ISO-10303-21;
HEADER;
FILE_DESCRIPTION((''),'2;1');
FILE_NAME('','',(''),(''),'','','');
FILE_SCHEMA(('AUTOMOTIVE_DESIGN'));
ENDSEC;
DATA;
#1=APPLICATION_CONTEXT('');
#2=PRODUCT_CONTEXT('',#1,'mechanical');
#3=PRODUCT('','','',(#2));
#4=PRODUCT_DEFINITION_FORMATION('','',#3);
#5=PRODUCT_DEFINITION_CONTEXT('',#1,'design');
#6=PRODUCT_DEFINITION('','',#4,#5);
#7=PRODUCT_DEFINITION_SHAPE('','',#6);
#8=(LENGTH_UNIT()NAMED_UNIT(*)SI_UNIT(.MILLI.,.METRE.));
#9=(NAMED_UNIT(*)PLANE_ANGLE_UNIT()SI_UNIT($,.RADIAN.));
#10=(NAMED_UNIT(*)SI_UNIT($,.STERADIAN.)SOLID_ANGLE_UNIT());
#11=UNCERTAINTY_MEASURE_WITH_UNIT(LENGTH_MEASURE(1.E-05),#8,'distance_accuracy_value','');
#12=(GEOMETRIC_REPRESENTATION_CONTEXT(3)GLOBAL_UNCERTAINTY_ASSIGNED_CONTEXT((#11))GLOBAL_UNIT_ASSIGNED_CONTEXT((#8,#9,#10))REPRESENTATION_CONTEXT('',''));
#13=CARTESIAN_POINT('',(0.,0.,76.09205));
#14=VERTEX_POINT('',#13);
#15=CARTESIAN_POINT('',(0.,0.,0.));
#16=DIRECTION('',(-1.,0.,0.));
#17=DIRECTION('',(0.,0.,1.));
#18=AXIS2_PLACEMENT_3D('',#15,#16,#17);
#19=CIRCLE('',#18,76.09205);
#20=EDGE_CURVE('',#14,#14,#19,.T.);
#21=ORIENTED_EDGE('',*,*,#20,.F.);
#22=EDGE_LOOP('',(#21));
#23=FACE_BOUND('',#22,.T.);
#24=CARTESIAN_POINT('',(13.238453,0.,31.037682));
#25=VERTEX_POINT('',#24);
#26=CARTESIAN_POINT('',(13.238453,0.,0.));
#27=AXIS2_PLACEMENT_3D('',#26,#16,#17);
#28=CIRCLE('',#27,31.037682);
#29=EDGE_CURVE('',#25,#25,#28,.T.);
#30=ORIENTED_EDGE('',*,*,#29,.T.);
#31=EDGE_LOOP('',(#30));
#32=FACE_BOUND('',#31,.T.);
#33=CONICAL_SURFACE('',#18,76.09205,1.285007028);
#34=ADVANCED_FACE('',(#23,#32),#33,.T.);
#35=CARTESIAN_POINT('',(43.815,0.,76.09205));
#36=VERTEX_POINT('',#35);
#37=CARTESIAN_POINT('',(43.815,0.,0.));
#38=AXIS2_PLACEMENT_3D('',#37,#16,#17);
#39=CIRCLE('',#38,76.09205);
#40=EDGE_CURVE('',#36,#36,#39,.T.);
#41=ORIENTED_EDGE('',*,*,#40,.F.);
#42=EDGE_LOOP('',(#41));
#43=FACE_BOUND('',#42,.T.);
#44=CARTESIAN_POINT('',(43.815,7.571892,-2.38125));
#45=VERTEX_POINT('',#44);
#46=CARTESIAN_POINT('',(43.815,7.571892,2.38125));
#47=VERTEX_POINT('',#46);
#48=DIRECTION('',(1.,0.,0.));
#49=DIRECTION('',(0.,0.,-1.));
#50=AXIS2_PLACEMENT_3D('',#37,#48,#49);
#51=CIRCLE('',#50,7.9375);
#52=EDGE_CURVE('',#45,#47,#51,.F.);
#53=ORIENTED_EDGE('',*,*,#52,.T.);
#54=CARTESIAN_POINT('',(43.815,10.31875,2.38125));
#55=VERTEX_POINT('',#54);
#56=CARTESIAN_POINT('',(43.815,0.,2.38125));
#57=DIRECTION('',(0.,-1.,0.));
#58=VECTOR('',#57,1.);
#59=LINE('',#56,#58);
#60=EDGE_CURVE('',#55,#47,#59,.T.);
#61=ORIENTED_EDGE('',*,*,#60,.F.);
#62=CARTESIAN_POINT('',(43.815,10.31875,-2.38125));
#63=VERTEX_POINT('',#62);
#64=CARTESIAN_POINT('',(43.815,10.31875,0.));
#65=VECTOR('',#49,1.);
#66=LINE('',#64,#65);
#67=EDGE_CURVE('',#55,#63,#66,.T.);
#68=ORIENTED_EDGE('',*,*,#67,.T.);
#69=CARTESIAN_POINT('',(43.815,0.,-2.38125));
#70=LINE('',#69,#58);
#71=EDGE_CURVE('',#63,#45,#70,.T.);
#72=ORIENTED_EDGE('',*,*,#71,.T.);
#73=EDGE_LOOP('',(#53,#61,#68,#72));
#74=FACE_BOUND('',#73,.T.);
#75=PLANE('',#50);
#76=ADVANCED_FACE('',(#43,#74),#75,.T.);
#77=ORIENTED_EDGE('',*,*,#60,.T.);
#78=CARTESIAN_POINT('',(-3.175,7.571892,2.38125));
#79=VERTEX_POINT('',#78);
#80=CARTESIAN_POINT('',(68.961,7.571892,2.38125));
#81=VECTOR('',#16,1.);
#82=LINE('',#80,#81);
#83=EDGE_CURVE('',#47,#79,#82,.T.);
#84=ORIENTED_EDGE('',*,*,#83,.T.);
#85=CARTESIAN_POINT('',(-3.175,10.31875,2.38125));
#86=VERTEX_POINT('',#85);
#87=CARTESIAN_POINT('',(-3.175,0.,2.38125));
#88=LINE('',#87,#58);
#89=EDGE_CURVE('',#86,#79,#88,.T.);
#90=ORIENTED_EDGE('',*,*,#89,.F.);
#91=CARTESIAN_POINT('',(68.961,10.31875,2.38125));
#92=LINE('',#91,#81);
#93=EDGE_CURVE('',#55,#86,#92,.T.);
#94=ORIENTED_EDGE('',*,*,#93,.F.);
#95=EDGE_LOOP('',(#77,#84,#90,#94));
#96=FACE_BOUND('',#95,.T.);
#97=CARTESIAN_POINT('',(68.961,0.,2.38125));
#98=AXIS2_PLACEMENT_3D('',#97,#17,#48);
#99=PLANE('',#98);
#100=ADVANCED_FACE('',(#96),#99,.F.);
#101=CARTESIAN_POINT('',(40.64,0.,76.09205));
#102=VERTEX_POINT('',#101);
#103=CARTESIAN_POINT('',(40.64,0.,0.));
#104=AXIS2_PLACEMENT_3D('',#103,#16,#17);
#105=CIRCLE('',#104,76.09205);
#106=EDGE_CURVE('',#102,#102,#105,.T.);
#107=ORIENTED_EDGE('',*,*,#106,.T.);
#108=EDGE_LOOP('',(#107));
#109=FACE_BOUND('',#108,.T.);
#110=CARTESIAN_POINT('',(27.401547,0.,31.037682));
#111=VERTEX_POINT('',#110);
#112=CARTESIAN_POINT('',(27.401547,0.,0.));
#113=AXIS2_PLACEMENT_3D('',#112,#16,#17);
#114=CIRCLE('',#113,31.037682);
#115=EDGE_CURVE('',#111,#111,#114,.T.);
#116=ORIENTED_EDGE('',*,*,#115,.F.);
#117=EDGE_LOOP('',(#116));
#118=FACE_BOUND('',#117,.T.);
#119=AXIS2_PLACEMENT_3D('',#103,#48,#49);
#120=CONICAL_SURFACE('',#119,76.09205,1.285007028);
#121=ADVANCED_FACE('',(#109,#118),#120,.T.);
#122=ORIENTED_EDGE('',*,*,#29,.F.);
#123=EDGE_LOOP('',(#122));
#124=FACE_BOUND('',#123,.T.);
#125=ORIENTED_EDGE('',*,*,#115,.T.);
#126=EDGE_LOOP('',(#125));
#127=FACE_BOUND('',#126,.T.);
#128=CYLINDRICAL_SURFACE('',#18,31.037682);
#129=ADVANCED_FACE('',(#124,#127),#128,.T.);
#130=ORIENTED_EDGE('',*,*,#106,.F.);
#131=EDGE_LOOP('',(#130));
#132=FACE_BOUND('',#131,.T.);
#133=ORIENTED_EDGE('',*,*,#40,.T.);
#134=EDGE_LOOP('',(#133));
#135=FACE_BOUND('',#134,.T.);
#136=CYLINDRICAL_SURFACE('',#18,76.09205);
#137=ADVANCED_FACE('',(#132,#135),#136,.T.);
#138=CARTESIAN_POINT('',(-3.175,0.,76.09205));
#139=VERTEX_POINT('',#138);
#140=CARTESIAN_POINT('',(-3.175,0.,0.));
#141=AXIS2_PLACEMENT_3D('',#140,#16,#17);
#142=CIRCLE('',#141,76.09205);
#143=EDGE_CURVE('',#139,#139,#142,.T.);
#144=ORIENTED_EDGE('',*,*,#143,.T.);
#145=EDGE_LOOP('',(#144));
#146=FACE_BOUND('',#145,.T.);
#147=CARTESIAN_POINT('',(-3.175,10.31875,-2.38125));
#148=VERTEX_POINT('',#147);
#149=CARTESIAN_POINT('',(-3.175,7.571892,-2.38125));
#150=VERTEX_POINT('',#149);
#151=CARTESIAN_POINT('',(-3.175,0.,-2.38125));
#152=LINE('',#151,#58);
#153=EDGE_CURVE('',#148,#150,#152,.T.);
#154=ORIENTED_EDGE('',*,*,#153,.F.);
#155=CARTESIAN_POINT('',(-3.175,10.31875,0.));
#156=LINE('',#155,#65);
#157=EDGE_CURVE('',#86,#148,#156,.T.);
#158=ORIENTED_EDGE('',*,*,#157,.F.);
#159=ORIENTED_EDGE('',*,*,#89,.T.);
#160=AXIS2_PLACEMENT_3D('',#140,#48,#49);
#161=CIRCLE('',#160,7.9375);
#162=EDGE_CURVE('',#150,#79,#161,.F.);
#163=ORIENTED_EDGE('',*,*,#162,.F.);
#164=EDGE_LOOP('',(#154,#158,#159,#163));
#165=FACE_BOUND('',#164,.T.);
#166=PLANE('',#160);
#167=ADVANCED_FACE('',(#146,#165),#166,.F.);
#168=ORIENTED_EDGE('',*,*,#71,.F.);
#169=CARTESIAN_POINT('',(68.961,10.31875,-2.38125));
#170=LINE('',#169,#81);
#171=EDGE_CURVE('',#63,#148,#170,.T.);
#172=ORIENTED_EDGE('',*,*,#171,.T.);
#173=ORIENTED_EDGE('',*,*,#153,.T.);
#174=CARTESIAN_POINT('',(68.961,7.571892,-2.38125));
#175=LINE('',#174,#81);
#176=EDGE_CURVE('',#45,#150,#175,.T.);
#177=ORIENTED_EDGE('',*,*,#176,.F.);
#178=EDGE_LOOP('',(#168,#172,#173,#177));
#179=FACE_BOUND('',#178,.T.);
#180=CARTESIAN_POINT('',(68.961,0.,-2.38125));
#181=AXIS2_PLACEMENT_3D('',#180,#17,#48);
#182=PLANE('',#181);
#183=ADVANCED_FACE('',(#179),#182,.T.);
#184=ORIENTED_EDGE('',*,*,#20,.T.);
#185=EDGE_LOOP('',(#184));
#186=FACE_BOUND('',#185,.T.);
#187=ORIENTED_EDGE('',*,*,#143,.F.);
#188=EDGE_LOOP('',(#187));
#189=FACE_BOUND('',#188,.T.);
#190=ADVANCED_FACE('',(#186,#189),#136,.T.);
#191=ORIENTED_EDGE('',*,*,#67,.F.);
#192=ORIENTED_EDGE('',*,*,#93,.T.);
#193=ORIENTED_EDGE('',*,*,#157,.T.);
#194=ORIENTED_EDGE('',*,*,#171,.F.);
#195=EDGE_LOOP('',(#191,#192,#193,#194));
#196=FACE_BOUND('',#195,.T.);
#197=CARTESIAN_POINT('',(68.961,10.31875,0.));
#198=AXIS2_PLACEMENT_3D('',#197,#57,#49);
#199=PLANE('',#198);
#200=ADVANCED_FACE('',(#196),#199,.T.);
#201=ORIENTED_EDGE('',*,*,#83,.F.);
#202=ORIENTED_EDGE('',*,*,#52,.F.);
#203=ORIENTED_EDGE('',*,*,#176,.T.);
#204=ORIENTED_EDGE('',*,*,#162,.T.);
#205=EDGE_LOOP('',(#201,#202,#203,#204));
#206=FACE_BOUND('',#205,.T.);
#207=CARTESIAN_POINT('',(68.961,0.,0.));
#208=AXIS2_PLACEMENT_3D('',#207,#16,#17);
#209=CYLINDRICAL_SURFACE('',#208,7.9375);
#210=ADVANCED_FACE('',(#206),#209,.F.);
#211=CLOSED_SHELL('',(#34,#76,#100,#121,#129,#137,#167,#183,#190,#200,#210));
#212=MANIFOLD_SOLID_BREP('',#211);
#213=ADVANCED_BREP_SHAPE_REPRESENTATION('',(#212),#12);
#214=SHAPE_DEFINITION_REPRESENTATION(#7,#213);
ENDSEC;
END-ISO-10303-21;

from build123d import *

# Parameters (mm, degrees)
SKETCH1_W               = 3.175
SKETCH1_H               = 69.74205
CUT_EXTRUDE1_DEPTH      = 25.146
CUT_EXTRUDE1_DEPTH_BACK = 108.204


with BuildPart() as part:
    # Sketch1 → Revolve1 (revolve)
    with BuildSketch(Plane.XY, mode=Mode.PRIVATE) as revolve1_sk:
        Polygon((13.238453462, 31.037681507), (0, 76.09205), (0, 6.35), (22.013333333, 6.35), (40.64, 6.35), (40.64, 76.09205), (27.401546538, 31.037681507), align=None)
        with Locations((-1.5875, 41.221025)):
            Rectangle(SKETCH1_W, SKETCH1_H)
        with Locations((42.2275, 41.221025)):
            Rectangle(SKETCH1_W, SKETCH1_H)
    revolve(revolve1_sk.sketch.rotate(Axis((0, 0, 0), (1, 0, 0)), 90), axis=Axis((0, 0, 0), (1, 0, 0)))

    # Sketch2 → Cut-Extrude1 (cut, two sides: drawn at the far end of the back side and taken through both)
    with BuildSketch(Plane(origin=(43.815, 0, 0), x_dir=(0, 0, -1), z_dir=(1, 0, 0)).offset(-CUT_EXTRUDE1_DEPTH_BACK)):
        with BuildLine():
            Line((2.38125, 7.571892411), (2.38125, 5.886607549))
            ThreePointArc((2.38125, 5.886607549), (5.265141855, 3.549757914), (6.35, 0))
            ThreePointArc((6.35, 0), (-3.549757914, -5.265141855), (-2.38125, 5.886607549))
            Line((-2.38125, 5.886607549), (-2.38125, 7.571892411))
            ThreePointArc((-2.38125, 7.571892411), (-4.695888328, -6.399417088), (7.9375, 0))
            ThreePointArc((7.9375, 0), (6.399417088, 4.695888328), (2.38125, 7.571892411))
        make_face()
        with BuildLine():
            ThreePointArc((-2.38125, 5.886607549), (0, 6.35), (2.38125, 5.886607549))
            Line((2.38125, 5.886607549), (2.38125, 7.571892411))
            ThreePointArc((2.38125, 7.571892411), (0, 7.9375), (-2.38125, 7.571892411))
            Line((-2.38125, 7.571892411), (-2.38125, 5.886607549))
        make_face()
        with BuildLine():
            ThreePointArc((-2.38125, 7.571892411), (0, 7.9375), (2.38125, 7.571892411))
            Line((2.38125, 7.571892411), (2.38125, 10.31875))
            Line((2.38125, 10.31875), (-2.38125, 10.31875))
            Line((-2.38125, 10.31875), (-2.38125, 7.571892411))
        make_face()
        with BuildLine():
            Line((-2.38125, 5.55625), (2.38125, 5.55625))
            Line((2.38125, 5.55625), (2.38125, 5.886607549))
            ThreePointArc((2.38125, 5.886607549), (0, 6.35), (-2.38125, 5.886607549))
            Line((-2.38125, 5.886607549), (-2.38125, 5.55625))
        make_face()
    extrude(amount=CUT_EXTRUDE1_DEPTH + CUT_EXTRUDE1_DEPTH_BACK, mode=Mode.SUBTRACT)


solid = part.part
